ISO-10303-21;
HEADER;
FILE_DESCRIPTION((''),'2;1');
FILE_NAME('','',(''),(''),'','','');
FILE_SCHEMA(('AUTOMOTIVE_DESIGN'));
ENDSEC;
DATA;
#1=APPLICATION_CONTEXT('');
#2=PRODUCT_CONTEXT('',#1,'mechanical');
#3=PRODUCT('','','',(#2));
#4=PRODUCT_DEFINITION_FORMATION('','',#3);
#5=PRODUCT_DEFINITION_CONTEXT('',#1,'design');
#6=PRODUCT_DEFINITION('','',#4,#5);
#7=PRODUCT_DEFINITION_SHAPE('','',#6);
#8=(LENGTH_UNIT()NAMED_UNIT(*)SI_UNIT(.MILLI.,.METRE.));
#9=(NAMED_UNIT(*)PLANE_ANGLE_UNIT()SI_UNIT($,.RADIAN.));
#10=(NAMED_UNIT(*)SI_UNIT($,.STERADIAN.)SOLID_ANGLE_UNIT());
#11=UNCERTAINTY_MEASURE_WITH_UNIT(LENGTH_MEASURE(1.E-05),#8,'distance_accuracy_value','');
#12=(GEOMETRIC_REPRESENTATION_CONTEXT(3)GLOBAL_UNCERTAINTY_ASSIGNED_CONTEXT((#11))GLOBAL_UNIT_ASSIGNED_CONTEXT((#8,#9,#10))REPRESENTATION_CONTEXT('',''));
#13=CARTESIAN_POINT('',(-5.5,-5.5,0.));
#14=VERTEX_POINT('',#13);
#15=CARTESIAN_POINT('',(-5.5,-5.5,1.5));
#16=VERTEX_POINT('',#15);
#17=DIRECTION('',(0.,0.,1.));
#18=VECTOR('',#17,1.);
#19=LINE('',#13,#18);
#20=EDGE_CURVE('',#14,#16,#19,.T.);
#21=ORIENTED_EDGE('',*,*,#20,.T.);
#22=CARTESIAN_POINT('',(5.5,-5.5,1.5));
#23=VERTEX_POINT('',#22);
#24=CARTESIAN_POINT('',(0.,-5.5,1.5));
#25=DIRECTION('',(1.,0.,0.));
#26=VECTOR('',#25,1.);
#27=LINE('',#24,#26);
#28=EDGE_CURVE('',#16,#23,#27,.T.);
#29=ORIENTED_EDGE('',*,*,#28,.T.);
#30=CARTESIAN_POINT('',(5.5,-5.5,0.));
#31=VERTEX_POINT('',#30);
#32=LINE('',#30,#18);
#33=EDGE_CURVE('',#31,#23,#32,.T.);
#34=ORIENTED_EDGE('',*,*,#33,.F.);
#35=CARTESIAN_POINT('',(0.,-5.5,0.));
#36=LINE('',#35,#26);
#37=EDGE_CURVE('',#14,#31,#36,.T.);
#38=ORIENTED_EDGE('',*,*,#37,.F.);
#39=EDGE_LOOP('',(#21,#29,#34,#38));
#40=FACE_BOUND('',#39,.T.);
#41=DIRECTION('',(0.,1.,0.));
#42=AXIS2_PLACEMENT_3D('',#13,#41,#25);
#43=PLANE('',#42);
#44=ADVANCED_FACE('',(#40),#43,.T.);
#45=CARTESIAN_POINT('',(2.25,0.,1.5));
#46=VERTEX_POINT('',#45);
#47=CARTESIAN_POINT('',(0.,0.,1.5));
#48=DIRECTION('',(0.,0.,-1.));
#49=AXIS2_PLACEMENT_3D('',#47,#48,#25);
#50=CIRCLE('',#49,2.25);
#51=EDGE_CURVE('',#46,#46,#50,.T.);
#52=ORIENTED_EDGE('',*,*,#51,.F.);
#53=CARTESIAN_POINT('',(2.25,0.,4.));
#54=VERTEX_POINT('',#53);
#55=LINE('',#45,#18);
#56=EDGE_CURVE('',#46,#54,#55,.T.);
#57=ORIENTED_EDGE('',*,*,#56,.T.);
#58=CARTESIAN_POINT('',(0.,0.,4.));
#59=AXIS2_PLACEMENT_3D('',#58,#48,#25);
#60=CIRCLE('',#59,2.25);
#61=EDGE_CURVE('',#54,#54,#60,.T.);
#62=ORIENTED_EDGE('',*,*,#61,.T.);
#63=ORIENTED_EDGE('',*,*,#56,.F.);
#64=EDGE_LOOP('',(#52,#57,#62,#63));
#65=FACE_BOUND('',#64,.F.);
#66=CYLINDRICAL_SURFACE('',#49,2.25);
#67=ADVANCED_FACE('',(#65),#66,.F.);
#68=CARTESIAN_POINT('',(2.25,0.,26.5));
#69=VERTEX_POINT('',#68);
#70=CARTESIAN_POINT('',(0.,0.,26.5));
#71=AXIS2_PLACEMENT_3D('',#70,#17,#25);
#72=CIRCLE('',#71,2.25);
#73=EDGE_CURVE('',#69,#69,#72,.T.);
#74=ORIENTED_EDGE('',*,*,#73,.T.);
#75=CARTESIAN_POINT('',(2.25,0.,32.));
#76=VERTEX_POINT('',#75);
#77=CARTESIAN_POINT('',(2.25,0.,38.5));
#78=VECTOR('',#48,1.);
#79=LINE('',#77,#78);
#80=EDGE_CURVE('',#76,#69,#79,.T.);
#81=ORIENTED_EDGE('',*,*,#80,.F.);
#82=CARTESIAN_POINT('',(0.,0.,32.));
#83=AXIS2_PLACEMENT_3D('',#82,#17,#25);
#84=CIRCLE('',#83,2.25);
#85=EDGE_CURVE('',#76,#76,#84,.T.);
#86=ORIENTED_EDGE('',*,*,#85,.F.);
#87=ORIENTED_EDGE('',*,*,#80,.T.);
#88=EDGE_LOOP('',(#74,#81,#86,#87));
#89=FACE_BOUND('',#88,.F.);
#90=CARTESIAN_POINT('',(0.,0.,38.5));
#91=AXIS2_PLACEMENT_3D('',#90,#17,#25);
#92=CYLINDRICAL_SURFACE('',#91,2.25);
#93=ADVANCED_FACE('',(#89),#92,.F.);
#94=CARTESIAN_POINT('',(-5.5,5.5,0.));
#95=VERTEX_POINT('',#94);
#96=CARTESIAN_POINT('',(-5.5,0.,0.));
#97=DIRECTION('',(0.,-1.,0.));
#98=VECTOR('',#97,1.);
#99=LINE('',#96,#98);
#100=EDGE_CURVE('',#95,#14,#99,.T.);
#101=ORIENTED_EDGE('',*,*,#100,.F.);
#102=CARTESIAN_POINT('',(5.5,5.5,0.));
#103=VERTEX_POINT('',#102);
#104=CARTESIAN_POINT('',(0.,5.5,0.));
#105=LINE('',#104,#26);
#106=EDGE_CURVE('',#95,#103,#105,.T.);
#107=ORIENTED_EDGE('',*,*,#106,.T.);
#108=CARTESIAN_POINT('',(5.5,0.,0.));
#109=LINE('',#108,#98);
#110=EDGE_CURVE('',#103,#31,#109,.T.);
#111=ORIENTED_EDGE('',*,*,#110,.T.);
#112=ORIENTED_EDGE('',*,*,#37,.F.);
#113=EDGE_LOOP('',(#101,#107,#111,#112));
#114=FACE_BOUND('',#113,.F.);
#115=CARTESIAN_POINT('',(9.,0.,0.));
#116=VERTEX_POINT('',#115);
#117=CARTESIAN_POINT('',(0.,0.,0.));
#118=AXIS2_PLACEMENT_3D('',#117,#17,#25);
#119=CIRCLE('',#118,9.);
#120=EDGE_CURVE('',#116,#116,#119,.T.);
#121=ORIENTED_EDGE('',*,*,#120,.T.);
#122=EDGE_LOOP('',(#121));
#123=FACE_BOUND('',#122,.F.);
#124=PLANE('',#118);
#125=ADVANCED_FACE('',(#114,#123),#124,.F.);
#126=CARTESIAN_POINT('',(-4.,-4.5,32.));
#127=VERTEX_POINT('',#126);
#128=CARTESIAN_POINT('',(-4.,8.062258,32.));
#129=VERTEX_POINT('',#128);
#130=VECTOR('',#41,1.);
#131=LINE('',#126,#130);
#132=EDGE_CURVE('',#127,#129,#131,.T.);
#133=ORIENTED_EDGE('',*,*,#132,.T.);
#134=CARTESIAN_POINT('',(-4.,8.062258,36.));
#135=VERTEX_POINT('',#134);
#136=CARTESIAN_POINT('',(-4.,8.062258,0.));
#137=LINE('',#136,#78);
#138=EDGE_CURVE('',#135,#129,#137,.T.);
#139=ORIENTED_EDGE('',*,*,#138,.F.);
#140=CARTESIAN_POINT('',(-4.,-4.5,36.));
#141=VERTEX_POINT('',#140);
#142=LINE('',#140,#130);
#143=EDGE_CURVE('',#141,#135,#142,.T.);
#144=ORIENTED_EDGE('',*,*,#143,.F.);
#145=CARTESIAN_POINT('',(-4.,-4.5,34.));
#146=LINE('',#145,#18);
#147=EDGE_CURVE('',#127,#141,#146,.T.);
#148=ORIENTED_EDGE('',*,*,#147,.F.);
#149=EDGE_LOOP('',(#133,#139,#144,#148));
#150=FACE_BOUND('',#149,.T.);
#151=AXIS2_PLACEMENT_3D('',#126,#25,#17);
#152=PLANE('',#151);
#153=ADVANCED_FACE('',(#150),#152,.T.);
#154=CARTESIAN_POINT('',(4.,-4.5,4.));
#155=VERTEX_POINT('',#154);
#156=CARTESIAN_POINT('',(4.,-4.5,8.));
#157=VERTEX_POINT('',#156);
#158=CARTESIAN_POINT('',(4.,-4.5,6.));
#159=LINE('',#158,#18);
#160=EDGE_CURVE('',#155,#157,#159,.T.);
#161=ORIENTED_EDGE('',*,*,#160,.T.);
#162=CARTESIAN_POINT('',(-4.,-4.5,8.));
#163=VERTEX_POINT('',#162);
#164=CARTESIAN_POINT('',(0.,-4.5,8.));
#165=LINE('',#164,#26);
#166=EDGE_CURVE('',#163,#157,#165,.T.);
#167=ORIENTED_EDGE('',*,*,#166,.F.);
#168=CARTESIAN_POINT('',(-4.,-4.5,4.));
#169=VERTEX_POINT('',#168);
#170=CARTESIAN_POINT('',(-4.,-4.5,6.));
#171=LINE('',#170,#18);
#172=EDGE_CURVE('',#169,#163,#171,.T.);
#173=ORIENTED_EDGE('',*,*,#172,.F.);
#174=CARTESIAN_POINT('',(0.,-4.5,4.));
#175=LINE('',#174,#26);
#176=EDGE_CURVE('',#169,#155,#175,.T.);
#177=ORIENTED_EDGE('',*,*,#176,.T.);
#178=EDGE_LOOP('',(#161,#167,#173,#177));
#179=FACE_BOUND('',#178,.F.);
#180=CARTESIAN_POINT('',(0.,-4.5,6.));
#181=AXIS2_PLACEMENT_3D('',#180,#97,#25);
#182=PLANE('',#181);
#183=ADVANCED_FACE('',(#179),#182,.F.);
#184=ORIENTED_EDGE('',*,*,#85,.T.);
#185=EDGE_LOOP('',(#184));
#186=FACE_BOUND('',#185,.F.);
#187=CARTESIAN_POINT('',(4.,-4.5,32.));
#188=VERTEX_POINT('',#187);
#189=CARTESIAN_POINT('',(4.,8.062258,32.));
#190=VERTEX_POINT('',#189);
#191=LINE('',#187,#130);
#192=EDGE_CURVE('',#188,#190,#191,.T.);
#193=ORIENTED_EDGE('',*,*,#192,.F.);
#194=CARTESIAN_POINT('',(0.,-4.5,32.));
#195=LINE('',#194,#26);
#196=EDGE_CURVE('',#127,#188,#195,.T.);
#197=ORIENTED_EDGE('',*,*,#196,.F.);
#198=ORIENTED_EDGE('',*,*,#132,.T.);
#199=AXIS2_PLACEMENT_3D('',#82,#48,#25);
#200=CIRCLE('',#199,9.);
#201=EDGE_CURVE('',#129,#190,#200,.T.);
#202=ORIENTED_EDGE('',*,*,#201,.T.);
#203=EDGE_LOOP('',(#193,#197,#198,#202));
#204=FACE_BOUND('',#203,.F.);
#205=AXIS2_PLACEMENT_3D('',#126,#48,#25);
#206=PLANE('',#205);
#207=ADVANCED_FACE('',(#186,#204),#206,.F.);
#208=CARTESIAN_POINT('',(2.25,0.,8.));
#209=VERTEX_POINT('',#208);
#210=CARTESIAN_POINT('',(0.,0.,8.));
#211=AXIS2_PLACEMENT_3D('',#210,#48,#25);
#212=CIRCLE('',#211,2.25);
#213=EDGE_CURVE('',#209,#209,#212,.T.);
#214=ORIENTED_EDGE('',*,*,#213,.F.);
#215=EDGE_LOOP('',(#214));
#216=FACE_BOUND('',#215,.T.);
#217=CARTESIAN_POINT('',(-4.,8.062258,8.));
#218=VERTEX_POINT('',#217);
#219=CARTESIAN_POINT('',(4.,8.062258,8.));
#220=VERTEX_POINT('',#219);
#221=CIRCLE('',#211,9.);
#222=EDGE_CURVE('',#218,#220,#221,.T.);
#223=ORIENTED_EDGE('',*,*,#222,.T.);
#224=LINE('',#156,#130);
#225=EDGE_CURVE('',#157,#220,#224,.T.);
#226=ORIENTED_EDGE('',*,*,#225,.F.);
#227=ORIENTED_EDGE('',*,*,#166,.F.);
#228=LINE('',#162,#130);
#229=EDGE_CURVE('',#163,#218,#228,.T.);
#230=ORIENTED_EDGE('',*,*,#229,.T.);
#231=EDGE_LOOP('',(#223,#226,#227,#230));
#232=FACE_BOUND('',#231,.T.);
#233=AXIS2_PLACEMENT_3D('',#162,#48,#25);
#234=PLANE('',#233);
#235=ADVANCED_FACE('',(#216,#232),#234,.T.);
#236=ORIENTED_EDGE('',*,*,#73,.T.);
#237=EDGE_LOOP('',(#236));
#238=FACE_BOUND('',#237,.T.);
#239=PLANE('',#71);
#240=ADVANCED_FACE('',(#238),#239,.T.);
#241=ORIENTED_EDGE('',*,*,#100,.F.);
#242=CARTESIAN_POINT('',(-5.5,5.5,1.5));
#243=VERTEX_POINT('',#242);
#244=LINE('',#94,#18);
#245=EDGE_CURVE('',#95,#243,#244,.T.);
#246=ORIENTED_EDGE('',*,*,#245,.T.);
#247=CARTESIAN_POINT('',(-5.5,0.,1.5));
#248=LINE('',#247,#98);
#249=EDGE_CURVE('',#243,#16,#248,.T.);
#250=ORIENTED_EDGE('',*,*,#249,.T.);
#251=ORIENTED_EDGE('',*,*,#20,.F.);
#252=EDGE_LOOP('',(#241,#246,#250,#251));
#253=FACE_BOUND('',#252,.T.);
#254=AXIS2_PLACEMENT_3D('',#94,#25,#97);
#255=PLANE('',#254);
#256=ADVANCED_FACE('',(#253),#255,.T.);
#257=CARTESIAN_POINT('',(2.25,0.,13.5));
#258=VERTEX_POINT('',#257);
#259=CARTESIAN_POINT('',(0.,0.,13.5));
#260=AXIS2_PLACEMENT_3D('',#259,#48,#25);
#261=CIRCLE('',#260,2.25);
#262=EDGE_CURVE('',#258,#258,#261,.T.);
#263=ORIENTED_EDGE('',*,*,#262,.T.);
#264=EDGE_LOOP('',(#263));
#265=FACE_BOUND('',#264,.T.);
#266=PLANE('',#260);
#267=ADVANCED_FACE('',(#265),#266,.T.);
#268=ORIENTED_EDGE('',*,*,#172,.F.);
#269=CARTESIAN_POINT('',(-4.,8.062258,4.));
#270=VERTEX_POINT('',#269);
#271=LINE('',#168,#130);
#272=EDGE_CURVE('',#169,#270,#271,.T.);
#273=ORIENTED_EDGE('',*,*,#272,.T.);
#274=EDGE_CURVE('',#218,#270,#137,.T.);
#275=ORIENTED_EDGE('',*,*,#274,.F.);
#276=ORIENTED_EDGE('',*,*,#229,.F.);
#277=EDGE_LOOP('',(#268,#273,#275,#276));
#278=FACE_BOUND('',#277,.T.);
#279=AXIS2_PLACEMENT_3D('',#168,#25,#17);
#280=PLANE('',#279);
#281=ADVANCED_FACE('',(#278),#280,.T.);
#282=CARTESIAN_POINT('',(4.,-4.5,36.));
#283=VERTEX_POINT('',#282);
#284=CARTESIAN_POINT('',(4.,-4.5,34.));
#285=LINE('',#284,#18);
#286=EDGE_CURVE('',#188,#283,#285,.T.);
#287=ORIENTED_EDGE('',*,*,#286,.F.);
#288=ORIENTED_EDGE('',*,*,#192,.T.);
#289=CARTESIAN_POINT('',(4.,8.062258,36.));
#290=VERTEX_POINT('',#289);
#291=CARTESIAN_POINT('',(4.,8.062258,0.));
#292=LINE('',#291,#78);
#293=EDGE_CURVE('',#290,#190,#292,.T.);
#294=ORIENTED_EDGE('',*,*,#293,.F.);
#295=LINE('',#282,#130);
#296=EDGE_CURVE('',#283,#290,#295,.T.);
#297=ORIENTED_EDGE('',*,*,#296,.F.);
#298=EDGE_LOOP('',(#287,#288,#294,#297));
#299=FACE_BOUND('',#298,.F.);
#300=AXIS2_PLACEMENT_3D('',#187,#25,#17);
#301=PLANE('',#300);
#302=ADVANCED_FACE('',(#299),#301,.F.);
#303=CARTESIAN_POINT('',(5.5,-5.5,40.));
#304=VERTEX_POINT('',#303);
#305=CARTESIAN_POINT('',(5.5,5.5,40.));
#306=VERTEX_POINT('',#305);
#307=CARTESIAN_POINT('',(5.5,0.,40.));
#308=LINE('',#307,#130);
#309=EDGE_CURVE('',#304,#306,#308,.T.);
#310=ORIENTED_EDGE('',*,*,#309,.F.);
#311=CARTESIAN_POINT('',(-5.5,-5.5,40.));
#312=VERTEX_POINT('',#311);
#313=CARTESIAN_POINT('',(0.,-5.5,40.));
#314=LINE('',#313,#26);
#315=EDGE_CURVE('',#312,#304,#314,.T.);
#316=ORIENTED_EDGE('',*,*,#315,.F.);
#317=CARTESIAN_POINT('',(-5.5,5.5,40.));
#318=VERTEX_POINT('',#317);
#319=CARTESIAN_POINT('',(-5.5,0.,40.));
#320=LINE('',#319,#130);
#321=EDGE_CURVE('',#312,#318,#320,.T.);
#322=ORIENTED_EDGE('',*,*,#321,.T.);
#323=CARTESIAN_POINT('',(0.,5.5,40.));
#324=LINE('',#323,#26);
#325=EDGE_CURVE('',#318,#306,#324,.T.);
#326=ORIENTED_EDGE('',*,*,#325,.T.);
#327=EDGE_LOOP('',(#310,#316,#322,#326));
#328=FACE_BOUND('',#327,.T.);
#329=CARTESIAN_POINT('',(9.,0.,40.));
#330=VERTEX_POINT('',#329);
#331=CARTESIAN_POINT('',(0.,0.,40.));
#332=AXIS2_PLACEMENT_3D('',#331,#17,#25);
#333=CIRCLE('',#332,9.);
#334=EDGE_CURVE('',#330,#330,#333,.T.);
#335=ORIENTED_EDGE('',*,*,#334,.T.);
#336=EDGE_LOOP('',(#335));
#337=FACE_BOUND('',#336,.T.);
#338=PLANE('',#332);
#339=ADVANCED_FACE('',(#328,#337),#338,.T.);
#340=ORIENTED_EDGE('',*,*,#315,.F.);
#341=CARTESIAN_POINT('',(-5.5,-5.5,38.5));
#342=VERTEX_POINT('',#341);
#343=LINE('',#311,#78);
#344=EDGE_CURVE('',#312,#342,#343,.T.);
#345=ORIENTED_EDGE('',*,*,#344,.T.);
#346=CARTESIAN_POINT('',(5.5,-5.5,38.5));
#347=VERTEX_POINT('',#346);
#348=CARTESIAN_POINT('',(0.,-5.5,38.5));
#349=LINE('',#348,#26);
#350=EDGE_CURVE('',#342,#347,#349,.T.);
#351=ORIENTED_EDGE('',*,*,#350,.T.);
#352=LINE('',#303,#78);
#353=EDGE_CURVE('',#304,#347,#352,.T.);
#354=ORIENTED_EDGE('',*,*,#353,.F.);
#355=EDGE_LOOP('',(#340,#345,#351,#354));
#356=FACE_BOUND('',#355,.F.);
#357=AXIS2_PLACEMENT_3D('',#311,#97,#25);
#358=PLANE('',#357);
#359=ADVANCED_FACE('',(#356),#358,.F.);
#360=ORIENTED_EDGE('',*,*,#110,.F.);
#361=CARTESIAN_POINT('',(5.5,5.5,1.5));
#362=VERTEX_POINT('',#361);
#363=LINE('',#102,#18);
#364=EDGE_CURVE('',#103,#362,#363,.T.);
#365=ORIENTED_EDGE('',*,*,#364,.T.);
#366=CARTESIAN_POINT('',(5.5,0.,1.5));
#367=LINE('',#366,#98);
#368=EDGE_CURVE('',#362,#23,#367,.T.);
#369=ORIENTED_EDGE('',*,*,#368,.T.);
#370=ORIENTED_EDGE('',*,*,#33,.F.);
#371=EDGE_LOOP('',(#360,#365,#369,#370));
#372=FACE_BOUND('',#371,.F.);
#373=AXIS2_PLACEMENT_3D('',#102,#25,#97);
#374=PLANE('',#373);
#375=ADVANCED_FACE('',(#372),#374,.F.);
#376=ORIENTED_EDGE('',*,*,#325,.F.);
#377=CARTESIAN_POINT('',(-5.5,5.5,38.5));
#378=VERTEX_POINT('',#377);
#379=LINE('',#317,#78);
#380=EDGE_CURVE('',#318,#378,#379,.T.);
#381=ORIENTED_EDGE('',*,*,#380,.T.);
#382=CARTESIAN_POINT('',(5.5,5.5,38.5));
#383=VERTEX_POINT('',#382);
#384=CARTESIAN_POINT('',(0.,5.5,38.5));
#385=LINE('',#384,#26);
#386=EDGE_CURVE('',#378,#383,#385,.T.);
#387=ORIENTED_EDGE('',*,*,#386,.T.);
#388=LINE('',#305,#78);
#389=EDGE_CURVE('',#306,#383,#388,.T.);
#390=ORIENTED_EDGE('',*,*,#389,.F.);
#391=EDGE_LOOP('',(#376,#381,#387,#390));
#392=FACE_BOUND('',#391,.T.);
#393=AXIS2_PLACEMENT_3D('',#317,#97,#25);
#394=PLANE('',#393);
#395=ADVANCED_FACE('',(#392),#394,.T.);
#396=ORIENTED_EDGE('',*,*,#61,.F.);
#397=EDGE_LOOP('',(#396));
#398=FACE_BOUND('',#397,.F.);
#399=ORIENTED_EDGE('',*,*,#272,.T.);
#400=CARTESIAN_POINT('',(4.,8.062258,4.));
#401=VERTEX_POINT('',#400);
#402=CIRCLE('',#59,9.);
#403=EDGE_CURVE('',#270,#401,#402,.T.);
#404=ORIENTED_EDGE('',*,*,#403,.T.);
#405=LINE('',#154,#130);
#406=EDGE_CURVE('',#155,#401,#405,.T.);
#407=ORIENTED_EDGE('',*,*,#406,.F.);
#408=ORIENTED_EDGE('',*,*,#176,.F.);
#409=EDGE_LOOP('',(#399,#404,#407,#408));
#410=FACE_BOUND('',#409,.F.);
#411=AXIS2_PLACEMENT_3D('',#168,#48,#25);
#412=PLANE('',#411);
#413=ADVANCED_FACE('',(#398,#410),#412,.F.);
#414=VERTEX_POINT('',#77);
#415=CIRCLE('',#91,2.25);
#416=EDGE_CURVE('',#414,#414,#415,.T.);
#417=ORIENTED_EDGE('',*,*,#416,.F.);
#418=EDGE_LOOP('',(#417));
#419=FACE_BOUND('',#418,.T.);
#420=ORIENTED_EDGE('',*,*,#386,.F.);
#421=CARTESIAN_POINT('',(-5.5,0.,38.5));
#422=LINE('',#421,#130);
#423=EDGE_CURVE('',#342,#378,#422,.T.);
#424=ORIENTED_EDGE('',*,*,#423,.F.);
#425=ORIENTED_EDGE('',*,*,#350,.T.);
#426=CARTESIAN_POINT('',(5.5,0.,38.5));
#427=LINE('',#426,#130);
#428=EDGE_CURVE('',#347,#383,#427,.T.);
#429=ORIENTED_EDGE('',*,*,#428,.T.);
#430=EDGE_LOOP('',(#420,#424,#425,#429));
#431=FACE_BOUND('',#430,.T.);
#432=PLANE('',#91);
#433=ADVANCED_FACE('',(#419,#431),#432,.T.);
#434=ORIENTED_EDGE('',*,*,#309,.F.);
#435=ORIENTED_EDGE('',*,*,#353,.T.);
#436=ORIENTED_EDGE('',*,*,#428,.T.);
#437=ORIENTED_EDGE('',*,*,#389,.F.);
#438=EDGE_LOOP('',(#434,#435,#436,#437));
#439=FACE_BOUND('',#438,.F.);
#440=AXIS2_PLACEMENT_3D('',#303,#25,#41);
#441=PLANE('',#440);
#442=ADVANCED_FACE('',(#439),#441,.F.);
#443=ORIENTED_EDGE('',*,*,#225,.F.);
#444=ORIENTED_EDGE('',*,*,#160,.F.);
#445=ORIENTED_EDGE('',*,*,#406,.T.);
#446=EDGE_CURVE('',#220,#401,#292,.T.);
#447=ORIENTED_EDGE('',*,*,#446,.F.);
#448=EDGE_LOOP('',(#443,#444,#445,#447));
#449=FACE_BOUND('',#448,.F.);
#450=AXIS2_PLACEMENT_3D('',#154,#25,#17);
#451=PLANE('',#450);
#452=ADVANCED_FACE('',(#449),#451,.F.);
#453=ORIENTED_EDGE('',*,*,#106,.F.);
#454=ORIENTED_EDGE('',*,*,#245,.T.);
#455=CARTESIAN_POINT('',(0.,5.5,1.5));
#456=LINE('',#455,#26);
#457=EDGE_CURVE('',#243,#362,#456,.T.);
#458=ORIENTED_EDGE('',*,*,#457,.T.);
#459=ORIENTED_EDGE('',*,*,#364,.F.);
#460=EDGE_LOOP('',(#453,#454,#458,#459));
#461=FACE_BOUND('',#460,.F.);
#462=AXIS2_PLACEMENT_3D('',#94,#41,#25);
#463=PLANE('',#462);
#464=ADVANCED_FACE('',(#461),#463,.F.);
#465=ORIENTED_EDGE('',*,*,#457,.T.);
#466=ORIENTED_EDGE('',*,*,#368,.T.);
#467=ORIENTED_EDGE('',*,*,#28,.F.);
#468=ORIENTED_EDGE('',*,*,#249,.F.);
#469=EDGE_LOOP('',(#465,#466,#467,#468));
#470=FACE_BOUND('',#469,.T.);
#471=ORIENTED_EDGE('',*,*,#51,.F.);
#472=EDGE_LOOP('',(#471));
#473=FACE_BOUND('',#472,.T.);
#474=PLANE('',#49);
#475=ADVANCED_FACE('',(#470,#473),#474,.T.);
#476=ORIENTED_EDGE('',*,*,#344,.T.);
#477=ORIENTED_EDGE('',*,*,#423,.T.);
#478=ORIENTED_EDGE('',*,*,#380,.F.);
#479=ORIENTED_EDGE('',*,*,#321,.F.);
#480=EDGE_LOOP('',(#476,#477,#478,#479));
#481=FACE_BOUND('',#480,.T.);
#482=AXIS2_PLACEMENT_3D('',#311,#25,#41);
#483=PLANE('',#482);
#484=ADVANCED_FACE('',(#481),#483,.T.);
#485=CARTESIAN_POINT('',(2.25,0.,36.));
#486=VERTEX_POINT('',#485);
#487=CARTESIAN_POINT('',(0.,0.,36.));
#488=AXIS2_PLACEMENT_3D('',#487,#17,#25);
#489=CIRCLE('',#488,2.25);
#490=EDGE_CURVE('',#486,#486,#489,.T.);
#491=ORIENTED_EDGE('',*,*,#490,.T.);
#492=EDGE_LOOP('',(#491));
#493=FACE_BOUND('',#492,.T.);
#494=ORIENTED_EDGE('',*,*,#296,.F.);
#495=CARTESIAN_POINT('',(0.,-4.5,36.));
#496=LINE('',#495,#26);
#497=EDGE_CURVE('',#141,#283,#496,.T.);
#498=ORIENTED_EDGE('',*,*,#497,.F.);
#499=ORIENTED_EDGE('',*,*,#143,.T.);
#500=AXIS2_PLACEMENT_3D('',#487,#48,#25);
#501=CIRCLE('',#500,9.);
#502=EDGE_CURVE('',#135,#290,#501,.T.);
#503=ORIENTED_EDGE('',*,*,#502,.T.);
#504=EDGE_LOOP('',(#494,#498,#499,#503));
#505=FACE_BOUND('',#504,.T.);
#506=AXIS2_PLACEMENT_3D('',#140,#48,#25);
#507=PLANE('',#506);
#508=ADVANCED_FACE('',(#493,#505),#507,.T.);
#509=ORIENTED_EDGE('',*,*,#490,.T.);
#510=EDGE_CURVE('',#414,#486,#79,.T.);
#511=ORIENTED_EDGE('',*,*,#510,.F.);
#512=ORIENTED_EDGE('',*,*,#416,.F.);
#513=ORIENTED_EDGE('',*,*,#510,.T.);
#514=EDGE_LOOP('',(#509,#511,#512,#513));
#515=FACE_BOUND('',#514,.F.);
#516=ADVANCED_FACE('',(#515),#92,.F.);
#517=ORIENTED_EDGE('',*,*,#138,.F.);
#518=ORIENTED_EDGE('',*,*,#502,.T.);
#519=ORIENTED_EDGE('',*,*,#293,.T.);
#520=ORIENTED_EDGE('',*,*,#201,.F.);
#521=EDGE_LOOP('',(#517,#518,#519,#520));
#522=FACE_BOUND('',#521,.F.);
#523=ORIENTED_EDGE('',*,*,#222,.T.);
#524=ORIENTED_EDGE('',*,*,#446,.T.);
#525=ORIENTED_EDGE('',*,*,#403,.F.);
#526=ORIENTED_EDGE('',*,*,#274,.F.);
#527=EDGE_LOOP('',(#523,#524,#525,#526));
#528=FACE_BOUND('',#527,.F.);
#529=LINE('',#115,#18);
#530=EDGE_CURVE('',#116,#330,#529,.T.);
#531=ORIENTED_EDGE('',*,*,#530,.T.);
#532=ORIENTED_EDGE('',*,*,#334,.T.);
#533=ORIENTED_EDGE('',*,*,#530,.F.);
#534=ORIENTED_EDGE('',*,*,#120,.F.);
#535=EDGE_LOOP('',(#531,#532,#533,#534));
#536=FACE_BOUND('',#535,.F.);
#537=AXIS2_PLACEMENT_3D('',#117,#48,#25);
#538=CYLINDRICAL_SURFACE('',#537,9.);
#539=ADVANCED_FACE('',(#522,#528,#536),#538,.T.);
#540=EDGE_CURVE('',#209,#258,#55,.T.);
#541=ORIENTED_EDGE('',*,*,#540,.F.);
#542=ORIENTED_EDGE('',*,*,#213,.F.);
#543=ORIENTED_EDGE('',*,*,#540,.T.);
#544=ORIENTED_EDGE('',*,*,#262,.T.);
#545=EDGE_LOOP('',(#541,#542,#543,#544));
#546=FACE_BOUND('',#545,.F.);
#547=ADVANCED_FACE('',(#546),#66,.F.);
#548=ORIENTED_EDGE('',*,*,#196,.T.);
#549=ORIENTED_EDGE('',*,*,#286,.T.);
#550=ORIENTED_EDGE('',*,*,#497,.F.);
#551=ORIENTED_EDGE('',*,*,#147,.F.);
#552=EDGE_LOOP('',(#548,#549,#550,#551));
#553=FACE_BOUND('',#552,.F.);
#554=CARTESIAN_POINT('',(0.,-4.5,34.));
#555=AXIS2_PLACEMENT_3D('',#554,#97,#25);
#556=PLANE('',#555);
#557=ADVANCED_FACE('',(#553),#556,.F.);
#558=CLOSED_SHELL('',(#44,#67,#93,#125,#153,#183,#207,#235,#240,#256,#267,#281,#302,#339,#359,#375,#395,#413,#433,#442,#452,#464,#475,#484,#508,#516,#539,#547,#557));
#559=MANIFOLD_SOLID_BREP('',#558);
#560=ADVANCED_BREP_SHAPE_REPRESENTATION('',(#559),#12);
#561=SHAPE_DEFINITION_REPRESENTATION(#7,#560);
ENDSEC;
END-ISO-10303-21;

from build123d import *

# Parameters (mm, degrees)
SKETCH_R        = 9
PAD_DEPTH       = 40
SKETCH001_W     = 11
SKETCH001_H     = 11
POCKET_DEPTH    = 1.5
SKETCH002_W     = 11
SKETCH002_H     = 11
POCKET001_DEPTH = 1.5
SKETCH003_R     = 2.25
POCKET002_DEPTH = 12
SKETCH004_R     = 2.25
POCKET003_DEPTH = 12
SKETCH005_W     = 8
SKETCH005_H     = 4
POCKET004_DEPTH = 20


with BuildPart() as part:
    # Sketch → Pad (new body)
    with BuildSketch(Plane.XY):
        Circle(SKETCH_R)
    extrude(amount=PAD_DEPTH)

    # Sketch001 (on Face3 of Pad) → Pocket (cut)
    with BuildSketch(Plane.XY.offset(40)):
        Rectangle(SKETCH001_W, SKETCH001_H)
    extrude(amount=-POCKET_DEPTH, mode=Mode.SUBTRACT)

    # Sketch002 (on Face2 of Pocket) → Pocket001 (cut)
    with BuildSketch(Plane(origin=(0, 0, 0), x_dir=(1, 0, 0), z_dir=(0, 0, -1))):
        Rectangle(SKETCH002_W, SKETCH002_H)
    extrude(amount=-POCKET001_DEPTH, mode=Mode.SUBTRACT)

    # Sketch003 (on Face12 of Pocket001) → Pocket002 (cut)
    with BuildSketch(Plane(origin=(0, 0, 1.5), x_dir=(1, 0, 0), z_dir=(0, 0, -1))):
        Circle(SKETCH003_R)
    extrude(amount=-POCKET002_DEPTH, mode=Mode.SUBTRACT)

    # Sketch004 (on Face13 of Pocket001) → Pocket003 (cut)
    with BuildSketch(Plane.XY.offset(38.5)):
        Circle(SKETCH004_R)
    extrude(amount=-POCKET003_DEPTH, mode=Mode.SUBTRACT)

    # Sketch005 → Pocket004 (cut)
    with BuildSketch(Plane.XZ.offset(4.5)):
        with Locations((0, 6)):
            Rectangle(SKETCH005_W, SKETCH005_H)
        with Locations((0, 34)):
            Rectangle(SKETCH005_W, SKETCH005_H)
    extrude(amount=-POCKET004_DEPTH, mode=Mode.SUBTRACT)


solid = part.part
